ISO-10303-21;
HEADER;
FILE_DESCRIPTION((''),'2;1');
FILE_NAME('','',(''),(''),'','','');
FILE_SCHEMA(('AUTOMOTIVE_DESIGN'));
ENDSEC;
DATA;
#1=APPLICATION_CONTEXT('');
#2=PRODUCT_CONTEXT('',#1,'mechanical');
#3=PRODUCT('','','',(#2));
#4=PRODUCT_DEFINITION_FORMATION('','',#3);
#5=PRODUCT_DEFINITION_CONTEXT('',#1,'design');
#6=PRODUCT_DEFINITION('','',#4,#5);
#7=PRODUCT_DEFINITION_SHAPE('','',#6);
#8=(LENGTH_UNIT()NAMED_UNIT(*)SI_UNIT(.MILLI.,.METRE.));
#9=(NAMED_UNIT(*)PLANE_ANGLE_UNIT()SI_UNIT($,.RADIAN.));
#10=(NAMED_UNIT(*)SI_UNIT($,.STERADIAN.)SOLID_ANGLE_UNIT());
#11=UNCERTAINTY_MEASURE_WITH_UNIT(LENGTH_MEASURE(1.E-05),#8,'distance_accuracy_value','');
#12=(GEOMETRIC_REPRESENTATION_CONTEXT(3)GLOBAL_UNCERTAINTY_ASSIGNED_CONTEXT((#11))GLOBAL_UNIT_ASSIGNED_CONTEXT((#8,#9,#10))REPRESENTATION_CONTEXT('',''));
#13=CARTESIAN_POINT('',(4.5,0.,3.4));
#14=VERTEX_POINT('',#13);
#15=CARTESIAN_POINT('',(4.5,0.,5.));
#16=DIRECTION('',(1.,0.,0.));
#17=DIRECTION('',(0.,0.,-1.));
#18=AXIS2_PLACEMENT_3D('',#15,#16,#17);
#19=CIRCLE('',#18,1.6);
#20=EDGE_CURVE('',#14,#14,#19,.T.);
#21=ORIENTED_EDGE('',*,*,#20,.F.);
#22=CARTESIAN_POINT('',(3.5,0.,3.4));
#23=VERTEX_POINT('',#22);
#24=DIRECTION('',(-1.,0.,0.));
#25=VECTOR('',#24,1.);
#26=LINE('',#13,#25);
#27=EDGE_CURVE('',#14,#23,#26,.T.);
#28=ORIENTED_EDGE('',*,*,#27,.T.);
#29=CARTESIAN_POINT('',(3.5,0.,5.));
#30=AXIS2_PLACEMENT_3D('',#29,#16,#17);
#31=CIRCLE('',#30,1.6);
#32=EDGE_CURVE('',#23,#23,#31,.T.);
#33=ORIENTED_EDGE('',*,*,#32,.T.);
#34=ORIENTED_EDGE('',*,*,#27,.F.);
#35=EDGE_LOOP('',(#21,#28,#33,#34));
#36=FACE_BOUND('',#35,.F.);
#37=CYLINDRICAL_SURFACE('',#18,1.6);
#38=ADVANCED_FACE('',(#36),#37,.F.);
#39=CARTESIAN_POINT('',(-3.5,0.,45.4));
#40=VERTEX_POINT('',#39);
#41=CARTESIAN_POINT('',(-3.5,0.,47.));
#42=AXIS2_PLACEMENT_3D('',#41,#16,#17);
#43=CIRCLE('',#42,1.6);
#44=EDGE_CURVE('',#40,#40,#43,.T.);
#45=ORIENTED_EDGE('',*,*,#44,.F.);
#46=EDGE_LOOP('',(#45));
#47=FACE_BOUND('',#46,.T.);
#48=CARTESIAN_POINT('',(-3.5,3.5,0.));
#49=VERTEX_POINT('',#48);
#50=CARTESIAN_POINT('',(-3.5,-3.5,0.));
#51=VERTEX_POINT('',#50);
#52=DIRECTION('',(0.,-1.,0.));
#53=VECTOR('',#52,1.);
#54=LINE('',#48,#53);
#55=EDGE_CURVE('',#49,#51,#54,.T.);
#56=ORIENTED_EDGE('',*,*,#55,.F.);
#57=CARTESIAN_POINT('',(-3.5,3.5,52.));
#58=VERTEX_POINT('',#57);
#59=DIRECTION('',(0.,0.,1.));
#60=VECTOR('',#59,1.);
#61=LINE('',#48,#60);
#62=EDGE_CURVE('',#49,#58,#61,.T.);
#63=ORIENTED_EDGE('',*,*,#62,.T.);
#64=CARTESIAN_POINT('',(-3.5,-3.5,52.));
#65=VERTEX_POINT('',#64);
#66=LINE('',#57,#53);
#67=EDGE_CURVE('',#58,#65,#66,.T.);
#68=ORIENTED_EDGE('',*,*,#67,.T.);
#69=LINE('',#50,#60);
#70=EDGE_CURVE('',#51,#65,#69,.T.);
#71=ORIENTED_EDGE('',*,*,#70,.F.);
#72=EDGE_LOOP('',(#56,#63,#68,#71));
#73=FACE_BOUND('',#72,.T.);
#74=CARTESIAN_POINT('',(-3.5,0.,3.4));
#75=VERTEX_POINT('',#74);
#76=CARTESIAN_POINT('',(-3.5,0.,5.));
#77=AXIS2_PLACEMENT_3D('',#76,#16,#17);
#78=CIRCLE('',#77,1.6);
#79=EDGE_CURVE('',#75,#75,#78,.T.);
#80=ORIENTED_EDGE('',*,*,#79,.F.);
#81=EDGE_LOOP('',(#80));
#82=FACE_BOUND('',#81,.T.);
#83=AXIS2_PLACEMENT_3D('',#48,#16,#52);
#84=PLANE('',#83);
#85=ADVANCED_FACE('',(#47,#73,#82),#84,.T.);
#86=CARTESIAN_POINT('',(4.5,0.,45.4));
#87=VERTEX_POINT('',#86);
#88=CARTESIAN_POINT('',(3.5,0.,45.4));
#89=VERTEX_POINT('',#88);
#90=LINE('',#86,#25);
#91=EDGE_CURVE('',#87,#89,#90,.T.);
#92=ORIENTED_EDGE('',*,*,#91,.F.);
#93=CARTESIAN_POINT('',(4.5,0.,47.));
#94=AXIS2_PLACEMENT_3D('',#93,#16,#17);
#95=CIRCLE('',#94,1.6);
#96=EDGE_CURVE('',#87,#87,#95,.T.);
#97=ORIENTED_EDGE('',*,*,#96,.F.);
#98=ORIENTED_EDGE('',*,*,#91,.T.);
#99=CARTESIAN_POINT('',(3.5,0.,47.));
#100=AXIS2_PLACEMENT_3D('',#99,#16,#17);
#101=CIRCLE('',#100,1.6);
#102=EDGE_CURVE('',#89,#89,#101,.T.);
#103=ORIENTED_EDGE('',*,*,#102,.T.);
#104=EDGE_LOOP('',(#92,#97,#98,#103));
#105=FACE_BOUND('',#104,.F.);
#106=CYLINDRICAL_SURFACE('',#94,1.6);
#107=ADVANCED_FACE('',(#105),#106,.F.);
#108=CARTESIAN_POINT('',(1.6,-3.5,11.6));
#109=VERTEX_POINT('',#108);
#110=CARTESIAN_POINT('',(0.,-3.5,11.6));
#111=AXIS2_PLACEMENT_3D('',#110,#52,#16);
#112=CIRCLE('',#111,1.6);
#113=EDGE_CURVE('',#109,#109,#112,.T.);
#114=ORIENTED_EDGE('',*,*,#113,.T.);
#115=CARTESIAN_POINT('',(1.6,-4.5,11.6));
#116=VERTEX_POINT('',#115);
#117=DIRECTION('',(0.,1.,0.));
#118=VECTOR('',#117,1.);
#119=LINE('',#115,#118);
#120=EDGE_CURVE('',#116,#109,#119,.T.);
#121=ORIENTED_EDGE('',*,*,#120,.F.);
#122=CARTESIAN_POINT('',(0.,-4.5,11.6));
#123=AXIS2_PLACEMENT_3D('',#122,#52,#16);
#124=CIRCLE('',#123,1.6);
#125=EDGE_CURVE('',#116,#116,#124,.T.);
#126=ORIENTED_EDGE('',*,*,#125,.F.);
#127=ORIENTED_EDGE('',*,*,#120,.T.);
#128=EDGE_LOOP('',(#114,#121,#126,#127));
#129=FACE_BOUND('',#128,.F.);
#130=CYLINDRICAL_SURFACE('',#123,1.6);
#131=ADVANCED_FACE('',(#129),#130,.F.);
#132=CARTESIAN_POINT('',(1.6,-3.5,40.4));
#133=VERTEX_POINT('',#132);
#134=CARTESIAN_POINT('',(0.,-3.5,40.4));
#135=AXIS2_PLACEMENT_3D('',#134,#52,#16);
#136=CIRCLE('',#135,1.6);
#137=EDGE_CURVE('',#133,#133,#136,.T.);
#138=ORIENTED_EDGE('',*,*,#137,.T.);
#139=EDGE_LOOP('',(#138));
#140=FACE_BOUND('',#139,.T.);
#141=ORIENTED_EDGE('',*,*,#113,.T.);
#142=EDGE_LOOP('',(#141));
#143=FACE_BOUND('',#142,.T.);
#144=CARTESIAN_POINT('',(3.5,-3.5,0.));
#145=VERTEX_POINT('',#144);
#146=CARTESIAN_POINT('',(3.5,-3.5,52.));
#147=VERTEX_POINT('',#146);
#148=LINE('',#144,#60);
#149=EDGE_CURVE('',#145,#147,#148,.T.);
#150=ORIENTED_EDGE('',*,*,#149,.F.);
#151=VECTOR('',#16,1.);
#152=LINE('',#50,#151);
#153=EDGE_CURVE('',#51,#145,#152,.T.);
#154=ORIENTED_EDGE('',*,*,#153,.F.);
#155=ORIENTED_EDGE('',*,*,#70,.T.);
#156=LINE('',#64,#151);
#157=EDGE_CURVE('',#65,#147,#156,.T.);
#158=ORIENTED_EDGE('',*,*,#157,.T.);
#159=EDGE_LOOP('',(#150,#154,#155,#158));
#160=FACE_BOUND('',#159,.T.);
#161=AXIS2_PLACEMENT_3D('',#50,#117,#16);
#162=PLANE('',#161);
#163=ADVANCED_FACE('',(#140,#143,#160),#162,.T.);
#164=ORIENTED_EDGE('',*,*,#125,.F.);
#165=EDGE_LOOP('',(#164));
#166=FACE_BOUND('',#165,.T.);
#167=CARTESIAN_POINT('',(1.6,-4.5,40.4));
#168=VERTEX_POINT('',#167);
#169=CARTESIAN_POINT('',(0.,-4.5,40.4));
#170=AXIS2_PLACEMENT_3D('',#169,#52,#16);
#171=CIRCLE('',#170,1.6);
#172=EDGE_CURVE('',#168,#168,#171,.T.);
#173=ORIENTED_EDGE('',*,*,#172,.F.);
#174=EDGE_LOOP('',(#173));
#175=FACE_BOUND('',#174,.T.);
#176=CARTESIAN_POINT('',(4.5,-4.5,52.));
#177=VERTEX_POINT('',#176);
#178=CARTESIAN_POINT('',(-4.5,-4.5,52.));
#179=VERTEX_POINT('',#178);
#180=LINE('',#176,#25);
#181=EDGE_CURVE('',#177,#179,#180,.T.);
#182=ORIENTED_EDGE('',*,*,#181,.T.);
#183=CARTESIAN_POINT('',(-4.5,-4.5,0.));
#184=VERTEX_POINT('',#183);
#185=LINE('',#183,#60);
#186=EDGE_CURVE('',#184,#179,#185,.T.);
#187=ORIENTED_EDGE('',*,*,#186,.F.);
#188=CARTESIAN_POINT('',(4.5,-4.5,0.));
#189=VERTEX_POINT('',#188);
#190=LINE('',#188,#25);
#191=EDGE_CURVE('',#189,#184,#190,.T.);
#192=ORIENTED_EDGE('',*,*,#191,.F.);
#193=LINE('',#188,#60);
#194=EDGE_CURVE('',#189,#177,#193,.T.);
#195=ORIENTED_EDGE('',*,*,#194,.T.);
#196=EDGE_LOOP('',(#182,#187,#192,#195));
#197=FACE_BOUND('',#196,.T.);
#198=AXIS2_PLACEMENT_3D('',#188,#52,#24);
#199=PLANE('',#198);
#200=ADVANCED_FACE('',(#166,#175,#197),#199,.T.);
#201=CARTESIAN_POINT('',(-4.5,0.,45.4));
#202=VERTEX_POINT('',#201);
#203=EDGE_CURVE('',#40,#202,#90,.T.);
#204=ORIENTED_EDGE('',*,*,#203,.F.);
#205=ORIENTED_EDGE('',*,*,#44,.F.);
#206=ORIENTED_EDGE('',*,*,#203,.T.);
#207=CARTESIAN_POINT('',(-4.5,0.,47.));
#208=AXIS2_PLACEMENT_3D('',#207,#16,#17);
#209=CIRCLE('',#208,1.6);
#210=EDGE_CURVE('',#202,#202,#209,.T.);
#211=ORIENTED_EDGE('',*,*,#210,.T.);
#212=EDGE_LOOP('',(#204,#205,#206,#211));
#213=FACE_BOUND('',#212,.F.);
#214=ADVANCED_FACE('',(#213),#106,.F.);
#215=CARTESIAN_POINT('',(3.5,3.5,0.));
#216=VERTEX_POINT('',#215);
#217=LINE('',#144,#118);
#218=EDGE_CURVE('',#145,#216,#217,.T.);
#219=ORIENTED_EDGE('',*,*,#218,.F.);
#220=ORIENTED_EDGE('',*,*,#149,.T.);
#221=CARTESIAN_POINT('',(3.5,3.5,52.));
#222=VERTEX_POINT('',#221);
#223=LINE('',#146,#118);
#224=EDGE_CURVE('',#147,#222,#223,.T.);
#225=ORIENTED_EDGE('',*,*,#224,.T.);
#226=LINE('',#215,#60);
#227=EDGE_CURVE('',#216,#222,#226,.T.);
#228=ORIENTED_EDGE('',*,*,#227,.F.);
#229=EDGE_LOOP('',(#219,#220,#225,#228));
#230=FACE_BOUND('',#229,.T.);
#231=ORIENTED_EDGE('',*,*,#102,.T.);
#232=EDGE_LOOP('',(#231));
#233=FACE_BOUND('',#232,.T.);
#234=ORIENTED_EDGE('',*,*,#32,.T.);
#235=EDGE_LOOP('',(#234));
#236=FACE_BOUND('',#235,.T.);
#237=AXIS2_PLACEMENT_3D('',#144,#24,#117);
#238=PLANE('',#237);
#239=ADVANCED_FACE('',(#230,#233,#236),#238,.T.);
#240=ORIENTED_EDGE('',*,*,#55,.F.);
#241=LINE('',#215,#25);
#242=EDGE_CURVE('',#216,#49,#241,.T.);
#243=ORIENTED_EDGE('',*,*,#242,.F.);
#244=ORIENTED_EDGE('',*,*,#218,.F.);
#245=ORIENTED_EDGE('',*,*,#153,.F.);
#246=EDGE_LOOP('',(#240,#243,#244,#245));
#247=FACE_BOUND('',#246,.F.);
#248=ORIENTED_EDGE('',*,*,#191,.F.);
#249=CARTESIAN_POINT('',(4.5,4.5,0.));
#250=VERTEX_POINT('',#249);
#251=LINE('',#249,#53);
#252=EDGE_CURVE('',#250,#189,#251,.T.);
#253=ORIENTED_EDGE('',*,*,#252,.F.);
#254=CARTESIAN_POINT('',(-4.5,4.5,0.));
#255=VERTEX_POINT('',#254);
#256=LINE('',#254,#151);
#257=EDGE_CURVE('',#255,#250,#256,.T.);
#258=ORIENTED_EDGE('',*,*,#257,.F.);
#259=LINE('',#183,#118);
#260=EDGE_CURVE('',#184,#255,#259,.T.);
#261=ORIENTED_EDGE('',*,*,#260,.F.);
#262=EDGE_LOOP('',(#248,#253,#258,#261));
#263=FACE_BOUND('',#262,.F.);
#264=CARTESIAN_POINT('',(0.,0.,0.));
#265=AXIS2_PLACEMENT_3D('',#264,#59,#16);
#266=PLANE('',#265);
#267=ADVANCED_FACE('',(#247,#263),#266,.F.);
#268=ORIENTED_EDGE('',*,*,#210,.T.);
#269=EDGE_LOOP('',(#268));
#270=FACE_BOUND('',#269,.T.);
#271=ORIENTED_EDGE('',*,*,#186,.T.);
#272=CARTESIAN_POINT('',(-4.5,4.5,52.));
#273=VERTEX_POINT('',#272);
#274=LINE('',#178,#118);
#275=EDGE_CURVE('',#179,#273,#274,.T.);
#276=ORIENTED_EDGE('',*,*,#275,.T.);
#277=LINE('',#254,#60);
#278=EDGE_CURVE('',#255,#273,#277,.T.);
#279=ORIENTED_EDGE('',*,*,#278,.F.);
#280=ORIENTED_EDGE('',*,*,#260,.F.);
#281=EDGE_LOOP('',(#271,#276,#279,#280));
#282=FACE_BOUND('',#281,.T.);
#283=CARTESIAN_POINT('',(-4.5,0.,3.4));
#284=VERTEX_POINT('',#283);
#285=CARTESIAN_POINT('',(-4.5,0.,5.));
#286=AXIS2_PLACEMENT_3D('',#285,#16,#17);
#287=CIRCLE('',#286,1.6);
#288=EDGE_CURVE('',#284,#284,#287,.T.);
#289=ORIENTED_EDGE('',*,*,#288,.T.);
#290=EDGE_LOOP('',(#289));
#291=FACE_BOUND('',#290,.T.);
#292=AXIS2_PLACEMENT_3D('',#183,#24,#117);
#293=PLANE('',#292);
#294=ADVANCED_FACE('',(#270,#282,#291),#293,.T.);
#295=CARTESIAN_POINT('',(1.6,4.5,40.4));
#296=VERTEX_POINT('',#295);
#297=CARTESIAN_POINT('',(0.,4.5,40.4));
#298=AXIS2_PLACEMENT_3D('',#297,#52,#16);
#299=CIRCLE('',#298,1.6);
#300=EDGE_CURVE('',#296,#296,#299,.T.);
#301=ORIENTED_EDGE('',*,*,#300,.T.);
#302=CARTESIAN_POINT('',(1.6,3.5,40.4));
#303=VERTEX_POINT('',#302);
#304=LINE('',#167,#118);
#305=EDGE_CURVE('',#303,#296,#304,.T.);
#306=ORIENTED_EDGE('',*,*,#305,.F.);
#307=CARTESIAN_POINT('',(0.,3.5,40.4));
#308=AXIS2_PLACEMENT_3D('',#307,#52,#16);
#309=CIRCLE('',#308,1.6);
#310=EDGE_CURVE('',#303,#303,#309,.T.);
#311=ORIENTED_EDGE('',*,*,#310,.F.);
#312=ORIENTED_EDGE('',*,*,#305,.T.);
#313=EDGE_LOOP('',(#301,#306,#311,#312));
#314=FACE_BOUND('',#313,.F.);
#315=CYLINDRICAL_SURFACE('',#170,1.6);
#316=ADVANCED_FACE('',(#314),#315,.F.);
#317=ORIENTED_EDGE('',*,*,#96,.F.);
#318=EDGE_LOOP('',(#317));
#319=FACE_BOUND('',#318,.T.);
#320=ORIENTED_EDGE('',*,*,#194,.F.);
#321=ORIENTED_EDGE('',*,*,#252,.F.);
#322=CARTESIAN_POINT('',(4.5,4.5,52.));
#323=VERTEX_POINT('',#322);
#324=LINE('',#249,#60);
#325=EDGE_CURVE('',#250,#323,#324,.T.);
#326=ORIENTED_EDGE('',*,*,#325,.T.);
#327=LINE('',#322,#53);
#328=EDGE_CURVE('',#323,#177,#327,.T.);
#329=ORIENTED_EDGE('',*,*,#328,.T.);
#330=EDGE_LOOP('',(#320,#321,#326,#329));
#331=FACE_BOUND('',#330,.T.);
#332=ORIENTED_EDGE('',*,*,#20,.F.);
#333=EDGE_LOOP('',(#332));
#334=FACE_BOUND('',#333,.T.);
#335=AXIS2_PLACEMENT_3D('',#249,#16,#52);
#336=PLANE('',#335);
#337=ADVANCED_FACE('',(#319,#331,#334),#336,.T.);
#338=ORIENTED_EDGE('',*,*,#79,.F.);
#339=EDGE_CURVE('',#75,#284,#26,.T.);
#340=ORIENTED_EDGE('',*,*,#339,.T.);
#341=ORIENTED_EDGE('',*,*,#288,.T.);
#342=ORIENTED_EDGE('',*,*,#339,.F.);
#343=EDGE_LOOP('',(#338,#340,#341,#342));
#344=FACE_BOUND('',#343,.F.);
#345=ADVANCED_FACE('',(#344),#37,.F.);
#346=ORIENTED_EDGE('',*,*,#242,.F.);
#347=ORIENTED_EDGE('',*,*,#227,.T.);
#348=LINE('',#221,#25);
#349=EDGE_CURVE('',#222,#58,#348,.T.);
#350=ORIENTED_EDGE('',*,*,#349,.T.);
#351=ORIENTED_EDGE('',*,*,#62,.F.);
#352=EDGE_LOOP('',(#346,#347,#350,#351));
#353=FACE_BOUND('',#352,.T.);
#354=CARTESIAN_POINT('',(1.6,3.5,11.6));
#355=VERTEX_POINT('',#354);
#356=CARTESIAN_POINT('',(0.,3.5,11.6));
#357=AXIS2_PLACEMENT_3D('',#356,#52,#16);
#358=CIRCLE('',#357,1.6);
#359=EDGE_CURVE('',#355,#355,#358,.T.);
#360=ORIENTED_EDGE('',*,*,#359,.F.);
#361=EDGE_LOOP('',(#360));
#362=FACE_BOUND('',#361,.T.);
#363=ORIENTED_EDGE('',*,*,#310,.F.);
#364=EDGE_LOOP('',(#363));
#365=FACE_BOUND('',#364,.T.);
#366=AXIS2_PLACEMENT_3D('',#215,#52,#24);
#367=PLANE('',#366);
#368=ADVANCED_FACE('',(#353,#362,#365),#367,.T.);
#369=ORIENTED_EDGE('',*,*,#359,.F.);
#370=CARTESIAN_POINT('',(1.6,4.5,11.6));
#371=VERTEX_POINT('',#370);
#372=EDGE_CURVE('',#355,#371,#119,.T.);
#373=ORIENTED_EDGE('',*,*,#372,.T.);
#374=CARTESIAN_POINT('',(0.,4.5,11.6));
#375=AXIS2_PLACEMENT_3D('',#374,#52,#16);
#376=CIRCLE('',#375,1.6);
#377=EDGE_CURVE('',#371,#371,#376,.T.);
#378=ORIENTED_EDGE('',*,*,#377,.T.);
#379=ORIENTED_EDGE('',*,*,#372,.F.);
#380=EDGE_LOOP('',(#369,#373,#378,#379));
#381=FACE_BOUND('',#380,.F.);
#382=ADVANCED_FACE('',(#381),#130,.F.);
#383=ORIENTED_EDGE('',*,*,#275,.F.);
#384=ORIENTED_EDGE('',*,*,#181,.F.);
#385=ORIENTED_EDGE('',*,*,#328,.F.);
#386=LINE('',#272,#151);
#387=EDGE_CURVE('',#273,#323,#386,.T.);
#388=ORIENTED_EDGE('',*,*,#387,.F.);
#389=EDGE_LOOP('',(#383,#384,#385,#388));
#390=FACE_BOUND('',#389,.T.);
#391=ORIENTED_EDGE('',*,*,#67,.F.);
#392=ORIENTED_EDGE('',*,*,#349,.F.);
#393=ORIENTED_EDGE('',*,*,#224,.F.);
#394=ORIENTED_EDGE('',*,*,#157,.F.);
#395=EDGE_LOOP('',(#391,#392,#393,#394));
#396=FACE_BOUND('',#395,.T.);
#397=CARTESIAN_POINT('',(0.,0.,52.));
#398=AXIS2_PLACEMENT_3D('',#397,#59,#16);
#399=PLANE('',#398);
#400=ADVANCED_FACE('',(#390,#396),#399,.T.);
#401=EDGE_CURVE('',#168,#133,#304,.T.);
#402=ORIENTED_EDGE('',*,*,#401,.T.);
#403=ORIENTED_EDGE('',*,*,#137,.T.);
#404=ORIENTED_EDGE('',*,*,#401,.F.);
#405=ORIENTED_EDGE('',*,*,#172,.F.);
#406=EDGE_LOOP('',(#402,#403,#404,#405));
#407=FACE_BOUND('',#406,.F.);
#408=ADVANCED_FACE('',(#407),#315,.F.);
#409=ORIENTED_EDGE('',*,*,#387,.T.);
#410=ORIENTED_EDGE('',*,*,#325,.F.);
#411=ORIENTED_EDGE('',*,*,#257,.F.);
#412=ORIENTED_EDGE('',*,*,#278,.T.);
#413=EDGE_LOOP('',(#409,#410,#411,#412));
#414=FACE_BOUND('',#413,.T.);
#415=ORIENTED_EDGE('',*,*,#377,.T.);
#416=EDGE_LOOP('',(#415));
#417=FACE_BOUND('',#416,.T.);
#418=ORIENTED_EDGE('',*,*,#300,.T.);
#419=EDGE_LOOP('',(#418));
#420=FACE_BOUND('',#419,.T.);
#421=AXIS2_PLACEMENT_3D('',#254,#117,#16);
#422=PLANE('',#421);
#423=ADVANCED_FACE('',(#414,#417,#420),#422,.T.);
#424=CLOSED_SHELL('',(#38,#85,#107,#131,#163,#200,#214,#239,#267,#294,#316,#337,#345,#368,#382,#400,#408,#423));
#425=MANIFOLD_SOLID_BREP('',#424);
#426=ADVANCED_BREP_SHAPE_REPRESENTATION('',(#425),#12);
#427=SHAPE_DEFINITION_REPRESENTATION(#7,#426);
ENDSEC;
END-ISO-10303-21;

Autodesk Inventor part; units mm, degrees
ref_plane "YZ Plane" through (0, 0, 0) normal (1, 0, 0) x (0, 1, 0)
ref_plane "XZ Plane" through (0, 0, 0) normal (0, 1, 0) x (-1, 0, 0)
ref_plane "XY Plane" through (0, 0, 0) normal (0, 0, 1) x (1, 0, 0)
sketch "スケッチ1" plane through (0, 0, 0) normal (0, 0, 1) x (1, 0, 0)
  line L0 (4.5, -4.5) -> (-4.5, -4.5)
  line L1 (-4.5, -4.5) -> (-4.5, 4.5)
  line L2 (-4.5, 4.5) -> (4.5, 4.5)
  line L3 (4.5, 4.5) -> (4.5, -4.5)
  line L4 (4.5, -4.5) -> (-4.5, 4.5) construction
  line L5 (-4.5, -4.5) -> (4.5, 4.5) construction
  line L6 (3.5, 3.5) -> (-3.5, 3.5)
  line L7 (-3.5, 3.5) -> (-3.5, -3.5)
  line L8 (-3.5, -3.5) -> (3.5, -3.5)
  line L9 (3.5, -3.5) -> (3.5, 3.5)
  point P0 (0, 0)
  dimension "d0" = 9
  dimension "d1" = 9
  dimension "d2" = 1
extrude "押し出し1" add sketch "スケッチ1" along normal blind 52
sketch "スケッチ3" plane through (4.5, -4.5, 0) normal (1, 0, 0) x (0, 0, -1)
  line L0 (0, 9) -> (0, 0) projected
  line L1 (0, 9) -> (-52, 9) projected
  line L2 (-52, 0) -> (-52, 9) projected
  line L3 (0, 0) -> (-52, 0) projected
  line L4 (-52, 4.5) -> (0, 4.5) construction
  line L5 (-26, 4.5) -> (-26, 9) construction
  circle A0 centre (-47, 4.5) radius 1.6
  circle A1 centre (-5, 4.5) radius 1.6
  dimension "d9" = 3.2
  dimension "d10" = 5
extrude "押し出し3" cut sketch "スケッチ3" against normal through all contours A0 | A1
sketch "スケッチ4" plane through (-4.5, -4.5, 0) normal (0, -1, 0) x (1, 0, 0)
  line L0 (9, 0) -> (0, 0) projected
  line L1 (9, 0) -> (9, 52) projected
  line L2 (0, 52) -> (9, 52) projected
  line L3 (0, 0) -> (0, 52) projected
  line L4 (9, 48.6) -> (9, 45.4) projected
  line L5 (8, 45.4) -> (8, 48.6) projected
  line L6 (0, 48.6) -> (0, 45.4) projected
  line L7 (1, 48.6) -> (1, 45.4) projected
  line L8 (9, 6.6) -> (9, 3.4) projected
  line L9 (8, 3.4) -> (8, 6.6) projected
  line L10 (1, 6.6) -> (1, 3.4) projected
  line L11 (4.5, 52) -> (4.5, 0) construction
  line L12 (9, 45.4) -> (0, 45.4)
  circle A0 centre (4.5, 40.4) radius 1.6
  line L13 (9, 26) -> (0, 26) construction
  circle A1 centre (4.5, 11.6) radius 1.6
  dimension "d13" = 3.2
  dimension "d14" = 5
  dimension "d15" = 4.5
extrude "押し出し4" cut sketch "スケッチ4" against normal through all contours A0 | A1
properties part number "型" material "アルミニウム 2014-T6"
